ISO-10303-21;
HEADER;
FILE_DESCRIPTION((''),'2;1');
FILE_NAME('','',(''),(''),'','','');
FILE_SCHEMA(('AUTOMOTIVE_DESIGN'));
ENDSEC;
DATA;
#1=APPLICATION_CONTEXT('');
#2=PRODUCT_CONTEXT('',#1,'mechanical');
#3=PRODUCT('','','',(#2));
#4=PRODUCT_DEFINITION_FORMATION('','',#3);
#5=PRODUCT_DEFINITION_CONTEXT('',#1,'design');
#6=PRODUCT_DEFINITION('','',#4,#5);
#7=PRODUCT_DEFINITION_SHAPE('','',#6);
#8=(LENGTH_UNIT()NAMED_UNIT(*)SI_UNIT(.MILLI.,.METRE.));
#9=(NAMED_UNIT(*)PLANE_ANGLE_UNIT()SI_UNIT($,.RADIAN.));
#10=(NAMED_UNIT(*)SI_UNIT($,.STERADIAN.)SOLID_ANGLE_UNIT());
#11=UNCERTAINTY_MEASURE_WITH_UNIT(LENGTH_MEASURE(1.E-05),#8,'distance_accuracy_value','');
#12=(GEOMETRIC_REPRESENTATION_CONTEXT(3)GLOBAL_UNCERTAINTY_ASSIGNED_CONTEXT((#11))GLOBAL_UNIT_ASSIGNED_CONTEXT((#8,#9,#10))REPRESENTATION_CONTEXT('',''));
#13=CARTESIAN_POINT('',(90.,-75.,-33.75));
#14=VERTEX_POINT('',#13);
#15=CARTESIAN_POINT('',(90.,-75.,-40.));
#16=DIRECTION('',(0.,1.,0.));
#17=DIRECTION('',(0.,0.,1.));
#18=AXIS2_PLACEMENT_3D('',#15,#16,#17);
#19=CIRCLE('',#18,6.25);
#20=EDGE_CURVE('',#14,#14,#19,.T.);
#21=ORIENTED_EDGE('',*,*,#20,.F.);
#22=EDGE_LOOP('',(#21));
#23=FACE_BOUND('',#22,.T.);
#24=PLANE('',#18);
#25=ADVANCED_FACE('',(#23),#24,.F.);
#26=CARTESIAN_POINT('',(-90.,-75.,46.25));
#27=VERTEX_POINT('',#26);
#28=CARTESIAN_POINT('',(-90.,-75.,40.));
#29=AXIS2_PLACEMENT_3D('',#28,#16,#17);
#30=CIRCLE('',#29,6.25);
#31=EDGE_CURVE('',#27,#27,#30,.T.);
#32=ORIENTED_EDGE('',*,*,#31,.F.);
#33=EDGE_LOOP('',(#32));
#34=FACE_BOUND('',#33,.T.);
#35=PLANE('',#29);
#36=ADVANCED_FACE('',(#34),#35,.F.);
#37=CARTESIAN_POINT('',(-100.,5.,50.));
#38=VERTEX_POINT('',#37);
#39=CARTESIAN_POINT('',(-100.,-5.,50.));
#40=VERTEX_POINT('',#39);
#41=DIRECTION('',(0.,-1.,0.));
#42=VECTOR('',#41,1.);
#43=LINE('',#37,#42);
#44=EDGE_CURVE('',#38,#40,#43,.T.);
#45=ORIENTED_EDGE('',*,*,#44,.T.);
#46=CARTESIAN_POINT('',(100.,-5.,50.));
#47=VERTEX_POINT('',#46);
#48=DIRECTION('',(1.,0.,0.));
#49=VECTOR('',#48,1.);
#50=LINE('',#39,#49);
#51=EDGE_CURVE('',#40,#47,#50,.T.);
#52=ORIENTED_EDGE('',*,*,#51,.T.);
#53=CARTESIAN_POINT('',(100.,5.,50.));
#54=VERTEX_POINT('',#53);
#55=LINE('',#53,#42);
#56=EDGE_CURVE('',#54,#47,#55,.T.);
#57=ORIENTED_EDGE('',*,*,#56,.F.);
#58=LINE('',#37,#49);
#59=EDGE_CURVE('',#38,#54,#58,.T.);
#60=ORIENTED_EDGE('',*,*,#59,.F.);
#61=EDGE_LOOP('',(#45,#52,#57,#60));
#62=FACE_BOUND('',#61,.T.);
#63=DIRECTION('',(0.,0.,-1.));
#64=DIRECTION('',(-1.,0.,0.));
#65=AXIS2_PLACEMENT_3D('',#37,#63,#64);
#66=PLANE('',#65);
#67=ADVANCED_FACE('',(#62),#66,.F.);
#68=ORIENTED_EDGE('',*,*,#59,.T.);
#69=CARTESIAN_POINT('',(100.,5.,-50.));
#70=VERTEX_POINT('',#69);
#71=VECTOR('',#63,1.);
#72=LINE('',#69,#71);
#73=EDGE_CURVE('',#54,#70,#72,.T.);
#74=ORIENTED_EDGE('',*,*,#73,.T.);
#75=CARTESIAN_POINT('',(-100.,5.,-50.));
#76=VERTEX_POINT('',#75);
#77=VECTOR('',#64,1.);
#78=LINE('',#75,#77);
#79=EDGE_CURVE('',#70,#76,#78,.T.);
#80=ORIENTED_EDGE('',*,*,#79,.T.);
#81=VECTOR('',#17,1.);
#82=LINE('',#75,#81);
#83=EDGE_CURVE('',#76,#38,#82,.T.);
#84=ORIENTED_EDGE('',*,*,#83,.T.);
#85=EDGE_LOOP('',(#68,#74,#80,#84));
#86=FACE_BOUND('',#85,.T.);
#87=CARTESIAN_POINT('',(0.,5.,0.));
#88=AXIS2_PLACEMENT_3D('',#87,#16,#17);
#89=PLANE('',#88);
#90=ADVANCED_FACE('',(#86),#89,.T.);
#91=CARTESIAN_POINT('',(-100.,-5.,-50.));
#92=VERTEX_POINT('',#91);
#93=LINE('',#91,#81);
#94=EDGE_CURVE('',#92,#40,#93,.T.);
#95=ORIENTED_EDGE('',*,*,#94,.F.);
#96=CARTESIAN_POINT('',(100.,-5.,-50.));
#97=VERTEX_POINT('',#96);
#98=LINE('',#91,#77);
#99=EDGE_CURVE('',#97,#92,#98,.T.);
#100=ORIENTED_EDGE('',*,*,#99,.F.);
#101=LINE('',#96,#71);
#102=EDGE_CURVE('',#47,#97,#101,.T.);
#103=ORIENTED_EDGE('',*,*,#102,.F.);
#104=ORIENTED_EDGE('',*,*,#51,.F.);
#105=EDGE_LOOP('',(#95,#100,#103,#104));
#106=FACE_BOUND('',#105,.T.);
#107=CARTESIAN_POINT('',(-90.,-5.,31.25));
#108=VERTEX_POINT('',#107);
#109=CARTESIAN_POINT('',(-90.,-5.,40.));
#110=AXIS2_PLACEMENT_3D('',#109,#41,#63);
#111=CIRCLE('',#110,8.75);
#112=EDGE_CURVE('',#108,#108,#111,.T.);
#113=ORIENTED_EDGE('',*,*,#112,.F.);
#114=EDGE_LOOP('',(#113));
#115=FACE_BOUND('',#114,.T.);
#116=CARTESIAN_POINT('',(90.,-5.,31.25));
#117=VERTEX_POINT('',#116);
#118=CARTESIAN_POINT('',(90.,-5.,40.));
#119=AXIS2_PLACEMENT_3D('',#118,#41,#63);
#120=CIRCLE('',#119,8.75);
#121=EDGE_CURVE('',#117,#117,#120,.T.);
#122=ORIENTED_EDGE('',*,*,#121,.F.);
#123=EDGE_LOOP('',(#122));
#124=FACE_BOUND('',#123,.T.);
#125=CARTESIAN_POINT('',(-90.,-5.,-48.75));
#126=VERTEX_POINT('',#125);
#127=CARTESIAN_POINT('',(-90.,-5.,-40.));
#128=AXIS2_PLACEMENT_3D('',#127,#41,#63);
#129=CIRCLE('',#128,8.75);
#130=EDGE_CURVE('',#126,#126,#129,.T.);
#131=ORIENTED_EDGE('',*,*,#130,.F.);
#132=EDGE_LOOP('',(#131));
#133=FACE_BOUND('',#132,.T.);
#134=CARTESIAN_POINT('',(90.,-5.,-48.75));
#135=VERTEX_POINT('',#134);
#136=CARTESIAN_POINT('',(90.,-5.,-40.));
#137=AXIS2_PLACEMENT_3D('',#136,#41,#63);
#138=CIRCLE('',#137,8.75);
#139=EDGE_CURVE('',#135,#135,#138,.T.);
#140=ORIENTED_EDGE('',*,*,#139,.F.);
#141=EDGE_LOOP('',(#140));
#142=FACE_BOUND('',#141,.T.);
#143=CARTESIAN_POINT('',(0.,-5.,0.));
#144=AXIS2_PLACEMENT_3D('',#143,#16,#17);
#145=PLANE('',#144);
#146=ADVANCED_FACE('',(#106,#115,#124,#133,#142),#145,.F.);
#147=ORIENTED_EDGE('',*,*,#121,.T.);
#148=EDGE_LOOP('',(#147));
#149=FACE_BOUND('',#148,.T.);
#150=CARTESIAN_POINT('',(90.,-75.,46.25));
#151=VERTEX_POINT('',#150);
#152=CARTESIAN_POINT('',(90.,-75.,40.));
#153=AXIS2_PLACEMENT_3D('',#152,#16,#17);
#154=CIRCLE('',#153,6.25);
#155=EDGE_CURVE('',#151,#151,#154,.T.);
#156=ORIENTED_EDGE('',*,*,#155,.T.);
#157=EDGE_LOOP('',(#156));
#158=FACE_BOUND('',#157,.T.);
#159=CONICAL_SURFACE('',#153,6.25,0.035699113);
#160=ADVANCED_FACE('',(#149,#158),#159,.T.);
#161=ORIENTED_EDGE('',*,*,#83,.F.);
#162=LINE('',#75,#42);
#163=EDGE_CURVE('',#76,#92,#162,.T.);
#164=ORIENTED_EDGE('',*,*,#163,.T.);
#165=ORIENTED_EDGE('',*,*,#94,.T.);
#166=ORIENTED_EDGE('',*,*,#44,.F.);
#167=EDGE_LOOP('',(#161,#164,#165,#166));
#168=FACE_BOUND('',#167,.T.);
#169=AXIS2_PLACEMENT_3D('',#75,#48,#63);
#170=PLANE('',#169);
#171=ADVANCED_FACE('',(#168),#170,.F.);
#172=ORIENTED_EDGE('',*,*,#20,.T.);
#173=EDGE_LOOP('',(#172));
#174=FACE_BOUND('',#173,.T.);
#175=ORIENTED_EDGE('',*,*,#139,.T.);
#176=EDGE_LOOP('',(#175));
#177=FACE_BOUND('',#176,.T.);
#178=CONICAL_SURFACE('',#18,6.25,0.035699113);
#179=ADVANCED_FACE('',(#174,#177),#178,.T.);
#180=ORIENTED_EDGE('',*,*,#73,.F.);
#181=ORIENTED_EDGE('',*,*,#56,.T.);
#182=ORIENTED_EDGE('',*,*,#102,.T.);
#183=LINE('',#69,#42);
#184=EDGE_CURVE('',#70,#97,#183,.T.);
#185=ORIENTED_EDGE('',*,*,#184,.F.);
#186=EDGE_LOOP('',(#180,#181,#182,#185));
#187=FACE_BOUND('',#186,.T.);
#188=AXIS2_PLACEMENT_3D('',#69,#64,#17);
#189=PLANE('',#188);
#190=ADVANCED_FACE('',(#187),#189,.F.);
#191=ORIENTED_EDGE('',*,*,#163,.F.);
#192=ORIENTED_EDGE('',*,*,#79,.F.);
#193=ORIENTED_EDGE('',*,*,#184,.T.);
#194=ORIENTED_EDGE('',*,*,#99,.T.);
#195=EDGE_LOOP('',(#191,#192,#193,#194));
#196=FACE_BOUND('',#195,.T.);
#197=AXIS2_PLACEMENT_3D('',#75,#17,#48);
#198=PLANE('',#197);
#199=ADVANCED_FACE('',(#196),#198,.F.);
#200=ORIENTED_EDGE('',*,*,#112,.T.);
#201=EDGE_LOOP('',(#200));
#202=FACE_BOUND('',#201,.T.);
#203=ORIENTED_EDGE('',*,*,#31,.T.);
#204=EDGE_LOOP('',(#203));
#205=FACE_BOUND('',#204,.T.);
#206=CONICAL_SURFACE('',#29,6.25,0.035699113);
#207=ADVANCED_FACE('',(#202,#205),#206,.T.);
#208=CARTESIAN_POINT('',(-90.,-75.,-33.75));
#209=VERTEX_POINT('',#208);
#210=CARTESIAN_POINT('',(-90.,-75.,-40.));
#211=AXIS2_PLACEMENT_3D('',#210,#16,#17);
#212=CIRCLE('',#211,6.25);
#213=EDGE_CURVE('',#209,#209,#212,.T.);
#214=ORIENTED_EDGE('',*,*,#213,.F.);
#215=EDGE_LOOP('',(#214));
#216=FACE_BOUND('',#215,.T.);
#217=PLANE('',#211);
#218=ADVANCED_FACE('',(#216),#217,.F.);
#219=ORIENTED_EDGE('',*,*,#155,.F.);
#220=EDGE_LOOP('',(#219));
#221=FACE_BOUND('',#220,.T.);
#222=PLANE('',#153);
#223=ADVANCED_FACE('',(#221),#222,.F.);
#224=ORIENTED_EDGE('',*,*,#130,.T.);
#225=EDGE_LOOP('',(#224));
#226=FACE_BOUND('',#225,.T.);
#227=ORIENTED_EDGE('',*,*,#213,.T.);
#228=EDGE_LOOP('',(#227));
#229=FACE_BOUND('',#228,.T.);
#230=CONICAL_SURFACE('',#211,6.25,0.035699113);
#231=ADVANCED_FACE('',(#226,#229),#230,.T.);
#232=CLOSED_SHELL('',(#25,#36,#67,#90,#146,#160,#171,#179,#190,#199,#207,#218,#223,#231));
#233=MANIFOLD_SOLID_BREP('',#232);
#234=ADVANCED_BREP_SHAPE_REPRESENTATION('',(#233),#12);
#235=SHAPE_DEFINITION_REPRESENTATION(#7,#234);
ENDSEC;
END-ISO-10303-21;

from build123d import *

# Parameters (mm, degrees)
SKETCH1_W           = 200
SKETCH1_H           = 100
BOSS_EXTRUDE1_DEPTH = 5
SKETCH2_R           = 8.75
SKETCH3_R           = 6.25
SKETCH2_4_R         = 8.75
SKETCH3_3_R         = 6.25
SKETCH2_5_R         = 8.75
SKETCH3_4_R         = 6.25
SKETCH2_6_R         = 8.75
SKETCH3_5_R         = 6.25


with BuildPart() as part:
    # Sketch1 → Boss-Extrude1 (new, symmetric)
    with BuildSketch(Plane(origin=(0, 0, 0), x_dir=(1, 0, 0), z_dir=(0, 1, 0))):
        Rectangle(SKETCH1_W, SKETCH1_H)
    extrude(amount=BOSS_EXTRUDE1_DEPTH, both=True)

    # Sketch2 → Loft1 section 0
    with BuildSketch(Plane.XZ.offset(5)):
        with Locations((-90, -40)):
            Circle(SKETCH2_R)
    # Sketch3 → Loft1 section 1
    with BuildSketch(Plane(origin=(0, -75, 0), x_dir=(1, 0, 0), z_dir=(0, 1, 0))):
        with Locations((-90, 40)):
            Circle(SKETCH3_R)
    loft()

    # Sketch2<4> → Loft2 section 0
    with BuildSketch(Plane.XZ.offset(5)):
        with Locations((-90, 40)):
            Circle(SKETCH2_4_R)
    # Sketch3<3> → Loft2 section 1
    with BuildSketch(Plane(origin=(0, -75, 0), x_dir=(1, 0, 0), z_dir=(0, 1, 0))):
        with Locations((-90, -40)):
            Circle(SKETCH3_3_R)
    loft()

    # Sketch2<5> → Loft3 section 0
    with BuildSketch(Plane.XZ.offset(5)):
        with Locations((90, 40)):
            Circle(SKETCH2_5_R)
    # Sketch3<4> → Loft3 section 1
    with BuildSketch(Plane(origin=(0, -75, 0), x_dir=(1, 0, 0), z_dir=(0, 1, 0))):
        with Locations((90, -40)):
            Circle(SKETCH3_4_R)
    loft()

    # Sketch2<6> → Loft4 section 0
    with BuildSketch(Plane.XZ.offset(5)):
        with Locations((90, -40)):
            Circle(SKETCH2_6_R)
    # Sketch3<5> → Loft4 section 1
    with BuildSketch(Plane(origin=(0, -75, 0), x_dir=(1, 0, 0), z_dir=(0, 1, 0))):
        with Locations((90, 40)):
            Circle(SKETCH3_5_R)
    loft()


solid = part.part
